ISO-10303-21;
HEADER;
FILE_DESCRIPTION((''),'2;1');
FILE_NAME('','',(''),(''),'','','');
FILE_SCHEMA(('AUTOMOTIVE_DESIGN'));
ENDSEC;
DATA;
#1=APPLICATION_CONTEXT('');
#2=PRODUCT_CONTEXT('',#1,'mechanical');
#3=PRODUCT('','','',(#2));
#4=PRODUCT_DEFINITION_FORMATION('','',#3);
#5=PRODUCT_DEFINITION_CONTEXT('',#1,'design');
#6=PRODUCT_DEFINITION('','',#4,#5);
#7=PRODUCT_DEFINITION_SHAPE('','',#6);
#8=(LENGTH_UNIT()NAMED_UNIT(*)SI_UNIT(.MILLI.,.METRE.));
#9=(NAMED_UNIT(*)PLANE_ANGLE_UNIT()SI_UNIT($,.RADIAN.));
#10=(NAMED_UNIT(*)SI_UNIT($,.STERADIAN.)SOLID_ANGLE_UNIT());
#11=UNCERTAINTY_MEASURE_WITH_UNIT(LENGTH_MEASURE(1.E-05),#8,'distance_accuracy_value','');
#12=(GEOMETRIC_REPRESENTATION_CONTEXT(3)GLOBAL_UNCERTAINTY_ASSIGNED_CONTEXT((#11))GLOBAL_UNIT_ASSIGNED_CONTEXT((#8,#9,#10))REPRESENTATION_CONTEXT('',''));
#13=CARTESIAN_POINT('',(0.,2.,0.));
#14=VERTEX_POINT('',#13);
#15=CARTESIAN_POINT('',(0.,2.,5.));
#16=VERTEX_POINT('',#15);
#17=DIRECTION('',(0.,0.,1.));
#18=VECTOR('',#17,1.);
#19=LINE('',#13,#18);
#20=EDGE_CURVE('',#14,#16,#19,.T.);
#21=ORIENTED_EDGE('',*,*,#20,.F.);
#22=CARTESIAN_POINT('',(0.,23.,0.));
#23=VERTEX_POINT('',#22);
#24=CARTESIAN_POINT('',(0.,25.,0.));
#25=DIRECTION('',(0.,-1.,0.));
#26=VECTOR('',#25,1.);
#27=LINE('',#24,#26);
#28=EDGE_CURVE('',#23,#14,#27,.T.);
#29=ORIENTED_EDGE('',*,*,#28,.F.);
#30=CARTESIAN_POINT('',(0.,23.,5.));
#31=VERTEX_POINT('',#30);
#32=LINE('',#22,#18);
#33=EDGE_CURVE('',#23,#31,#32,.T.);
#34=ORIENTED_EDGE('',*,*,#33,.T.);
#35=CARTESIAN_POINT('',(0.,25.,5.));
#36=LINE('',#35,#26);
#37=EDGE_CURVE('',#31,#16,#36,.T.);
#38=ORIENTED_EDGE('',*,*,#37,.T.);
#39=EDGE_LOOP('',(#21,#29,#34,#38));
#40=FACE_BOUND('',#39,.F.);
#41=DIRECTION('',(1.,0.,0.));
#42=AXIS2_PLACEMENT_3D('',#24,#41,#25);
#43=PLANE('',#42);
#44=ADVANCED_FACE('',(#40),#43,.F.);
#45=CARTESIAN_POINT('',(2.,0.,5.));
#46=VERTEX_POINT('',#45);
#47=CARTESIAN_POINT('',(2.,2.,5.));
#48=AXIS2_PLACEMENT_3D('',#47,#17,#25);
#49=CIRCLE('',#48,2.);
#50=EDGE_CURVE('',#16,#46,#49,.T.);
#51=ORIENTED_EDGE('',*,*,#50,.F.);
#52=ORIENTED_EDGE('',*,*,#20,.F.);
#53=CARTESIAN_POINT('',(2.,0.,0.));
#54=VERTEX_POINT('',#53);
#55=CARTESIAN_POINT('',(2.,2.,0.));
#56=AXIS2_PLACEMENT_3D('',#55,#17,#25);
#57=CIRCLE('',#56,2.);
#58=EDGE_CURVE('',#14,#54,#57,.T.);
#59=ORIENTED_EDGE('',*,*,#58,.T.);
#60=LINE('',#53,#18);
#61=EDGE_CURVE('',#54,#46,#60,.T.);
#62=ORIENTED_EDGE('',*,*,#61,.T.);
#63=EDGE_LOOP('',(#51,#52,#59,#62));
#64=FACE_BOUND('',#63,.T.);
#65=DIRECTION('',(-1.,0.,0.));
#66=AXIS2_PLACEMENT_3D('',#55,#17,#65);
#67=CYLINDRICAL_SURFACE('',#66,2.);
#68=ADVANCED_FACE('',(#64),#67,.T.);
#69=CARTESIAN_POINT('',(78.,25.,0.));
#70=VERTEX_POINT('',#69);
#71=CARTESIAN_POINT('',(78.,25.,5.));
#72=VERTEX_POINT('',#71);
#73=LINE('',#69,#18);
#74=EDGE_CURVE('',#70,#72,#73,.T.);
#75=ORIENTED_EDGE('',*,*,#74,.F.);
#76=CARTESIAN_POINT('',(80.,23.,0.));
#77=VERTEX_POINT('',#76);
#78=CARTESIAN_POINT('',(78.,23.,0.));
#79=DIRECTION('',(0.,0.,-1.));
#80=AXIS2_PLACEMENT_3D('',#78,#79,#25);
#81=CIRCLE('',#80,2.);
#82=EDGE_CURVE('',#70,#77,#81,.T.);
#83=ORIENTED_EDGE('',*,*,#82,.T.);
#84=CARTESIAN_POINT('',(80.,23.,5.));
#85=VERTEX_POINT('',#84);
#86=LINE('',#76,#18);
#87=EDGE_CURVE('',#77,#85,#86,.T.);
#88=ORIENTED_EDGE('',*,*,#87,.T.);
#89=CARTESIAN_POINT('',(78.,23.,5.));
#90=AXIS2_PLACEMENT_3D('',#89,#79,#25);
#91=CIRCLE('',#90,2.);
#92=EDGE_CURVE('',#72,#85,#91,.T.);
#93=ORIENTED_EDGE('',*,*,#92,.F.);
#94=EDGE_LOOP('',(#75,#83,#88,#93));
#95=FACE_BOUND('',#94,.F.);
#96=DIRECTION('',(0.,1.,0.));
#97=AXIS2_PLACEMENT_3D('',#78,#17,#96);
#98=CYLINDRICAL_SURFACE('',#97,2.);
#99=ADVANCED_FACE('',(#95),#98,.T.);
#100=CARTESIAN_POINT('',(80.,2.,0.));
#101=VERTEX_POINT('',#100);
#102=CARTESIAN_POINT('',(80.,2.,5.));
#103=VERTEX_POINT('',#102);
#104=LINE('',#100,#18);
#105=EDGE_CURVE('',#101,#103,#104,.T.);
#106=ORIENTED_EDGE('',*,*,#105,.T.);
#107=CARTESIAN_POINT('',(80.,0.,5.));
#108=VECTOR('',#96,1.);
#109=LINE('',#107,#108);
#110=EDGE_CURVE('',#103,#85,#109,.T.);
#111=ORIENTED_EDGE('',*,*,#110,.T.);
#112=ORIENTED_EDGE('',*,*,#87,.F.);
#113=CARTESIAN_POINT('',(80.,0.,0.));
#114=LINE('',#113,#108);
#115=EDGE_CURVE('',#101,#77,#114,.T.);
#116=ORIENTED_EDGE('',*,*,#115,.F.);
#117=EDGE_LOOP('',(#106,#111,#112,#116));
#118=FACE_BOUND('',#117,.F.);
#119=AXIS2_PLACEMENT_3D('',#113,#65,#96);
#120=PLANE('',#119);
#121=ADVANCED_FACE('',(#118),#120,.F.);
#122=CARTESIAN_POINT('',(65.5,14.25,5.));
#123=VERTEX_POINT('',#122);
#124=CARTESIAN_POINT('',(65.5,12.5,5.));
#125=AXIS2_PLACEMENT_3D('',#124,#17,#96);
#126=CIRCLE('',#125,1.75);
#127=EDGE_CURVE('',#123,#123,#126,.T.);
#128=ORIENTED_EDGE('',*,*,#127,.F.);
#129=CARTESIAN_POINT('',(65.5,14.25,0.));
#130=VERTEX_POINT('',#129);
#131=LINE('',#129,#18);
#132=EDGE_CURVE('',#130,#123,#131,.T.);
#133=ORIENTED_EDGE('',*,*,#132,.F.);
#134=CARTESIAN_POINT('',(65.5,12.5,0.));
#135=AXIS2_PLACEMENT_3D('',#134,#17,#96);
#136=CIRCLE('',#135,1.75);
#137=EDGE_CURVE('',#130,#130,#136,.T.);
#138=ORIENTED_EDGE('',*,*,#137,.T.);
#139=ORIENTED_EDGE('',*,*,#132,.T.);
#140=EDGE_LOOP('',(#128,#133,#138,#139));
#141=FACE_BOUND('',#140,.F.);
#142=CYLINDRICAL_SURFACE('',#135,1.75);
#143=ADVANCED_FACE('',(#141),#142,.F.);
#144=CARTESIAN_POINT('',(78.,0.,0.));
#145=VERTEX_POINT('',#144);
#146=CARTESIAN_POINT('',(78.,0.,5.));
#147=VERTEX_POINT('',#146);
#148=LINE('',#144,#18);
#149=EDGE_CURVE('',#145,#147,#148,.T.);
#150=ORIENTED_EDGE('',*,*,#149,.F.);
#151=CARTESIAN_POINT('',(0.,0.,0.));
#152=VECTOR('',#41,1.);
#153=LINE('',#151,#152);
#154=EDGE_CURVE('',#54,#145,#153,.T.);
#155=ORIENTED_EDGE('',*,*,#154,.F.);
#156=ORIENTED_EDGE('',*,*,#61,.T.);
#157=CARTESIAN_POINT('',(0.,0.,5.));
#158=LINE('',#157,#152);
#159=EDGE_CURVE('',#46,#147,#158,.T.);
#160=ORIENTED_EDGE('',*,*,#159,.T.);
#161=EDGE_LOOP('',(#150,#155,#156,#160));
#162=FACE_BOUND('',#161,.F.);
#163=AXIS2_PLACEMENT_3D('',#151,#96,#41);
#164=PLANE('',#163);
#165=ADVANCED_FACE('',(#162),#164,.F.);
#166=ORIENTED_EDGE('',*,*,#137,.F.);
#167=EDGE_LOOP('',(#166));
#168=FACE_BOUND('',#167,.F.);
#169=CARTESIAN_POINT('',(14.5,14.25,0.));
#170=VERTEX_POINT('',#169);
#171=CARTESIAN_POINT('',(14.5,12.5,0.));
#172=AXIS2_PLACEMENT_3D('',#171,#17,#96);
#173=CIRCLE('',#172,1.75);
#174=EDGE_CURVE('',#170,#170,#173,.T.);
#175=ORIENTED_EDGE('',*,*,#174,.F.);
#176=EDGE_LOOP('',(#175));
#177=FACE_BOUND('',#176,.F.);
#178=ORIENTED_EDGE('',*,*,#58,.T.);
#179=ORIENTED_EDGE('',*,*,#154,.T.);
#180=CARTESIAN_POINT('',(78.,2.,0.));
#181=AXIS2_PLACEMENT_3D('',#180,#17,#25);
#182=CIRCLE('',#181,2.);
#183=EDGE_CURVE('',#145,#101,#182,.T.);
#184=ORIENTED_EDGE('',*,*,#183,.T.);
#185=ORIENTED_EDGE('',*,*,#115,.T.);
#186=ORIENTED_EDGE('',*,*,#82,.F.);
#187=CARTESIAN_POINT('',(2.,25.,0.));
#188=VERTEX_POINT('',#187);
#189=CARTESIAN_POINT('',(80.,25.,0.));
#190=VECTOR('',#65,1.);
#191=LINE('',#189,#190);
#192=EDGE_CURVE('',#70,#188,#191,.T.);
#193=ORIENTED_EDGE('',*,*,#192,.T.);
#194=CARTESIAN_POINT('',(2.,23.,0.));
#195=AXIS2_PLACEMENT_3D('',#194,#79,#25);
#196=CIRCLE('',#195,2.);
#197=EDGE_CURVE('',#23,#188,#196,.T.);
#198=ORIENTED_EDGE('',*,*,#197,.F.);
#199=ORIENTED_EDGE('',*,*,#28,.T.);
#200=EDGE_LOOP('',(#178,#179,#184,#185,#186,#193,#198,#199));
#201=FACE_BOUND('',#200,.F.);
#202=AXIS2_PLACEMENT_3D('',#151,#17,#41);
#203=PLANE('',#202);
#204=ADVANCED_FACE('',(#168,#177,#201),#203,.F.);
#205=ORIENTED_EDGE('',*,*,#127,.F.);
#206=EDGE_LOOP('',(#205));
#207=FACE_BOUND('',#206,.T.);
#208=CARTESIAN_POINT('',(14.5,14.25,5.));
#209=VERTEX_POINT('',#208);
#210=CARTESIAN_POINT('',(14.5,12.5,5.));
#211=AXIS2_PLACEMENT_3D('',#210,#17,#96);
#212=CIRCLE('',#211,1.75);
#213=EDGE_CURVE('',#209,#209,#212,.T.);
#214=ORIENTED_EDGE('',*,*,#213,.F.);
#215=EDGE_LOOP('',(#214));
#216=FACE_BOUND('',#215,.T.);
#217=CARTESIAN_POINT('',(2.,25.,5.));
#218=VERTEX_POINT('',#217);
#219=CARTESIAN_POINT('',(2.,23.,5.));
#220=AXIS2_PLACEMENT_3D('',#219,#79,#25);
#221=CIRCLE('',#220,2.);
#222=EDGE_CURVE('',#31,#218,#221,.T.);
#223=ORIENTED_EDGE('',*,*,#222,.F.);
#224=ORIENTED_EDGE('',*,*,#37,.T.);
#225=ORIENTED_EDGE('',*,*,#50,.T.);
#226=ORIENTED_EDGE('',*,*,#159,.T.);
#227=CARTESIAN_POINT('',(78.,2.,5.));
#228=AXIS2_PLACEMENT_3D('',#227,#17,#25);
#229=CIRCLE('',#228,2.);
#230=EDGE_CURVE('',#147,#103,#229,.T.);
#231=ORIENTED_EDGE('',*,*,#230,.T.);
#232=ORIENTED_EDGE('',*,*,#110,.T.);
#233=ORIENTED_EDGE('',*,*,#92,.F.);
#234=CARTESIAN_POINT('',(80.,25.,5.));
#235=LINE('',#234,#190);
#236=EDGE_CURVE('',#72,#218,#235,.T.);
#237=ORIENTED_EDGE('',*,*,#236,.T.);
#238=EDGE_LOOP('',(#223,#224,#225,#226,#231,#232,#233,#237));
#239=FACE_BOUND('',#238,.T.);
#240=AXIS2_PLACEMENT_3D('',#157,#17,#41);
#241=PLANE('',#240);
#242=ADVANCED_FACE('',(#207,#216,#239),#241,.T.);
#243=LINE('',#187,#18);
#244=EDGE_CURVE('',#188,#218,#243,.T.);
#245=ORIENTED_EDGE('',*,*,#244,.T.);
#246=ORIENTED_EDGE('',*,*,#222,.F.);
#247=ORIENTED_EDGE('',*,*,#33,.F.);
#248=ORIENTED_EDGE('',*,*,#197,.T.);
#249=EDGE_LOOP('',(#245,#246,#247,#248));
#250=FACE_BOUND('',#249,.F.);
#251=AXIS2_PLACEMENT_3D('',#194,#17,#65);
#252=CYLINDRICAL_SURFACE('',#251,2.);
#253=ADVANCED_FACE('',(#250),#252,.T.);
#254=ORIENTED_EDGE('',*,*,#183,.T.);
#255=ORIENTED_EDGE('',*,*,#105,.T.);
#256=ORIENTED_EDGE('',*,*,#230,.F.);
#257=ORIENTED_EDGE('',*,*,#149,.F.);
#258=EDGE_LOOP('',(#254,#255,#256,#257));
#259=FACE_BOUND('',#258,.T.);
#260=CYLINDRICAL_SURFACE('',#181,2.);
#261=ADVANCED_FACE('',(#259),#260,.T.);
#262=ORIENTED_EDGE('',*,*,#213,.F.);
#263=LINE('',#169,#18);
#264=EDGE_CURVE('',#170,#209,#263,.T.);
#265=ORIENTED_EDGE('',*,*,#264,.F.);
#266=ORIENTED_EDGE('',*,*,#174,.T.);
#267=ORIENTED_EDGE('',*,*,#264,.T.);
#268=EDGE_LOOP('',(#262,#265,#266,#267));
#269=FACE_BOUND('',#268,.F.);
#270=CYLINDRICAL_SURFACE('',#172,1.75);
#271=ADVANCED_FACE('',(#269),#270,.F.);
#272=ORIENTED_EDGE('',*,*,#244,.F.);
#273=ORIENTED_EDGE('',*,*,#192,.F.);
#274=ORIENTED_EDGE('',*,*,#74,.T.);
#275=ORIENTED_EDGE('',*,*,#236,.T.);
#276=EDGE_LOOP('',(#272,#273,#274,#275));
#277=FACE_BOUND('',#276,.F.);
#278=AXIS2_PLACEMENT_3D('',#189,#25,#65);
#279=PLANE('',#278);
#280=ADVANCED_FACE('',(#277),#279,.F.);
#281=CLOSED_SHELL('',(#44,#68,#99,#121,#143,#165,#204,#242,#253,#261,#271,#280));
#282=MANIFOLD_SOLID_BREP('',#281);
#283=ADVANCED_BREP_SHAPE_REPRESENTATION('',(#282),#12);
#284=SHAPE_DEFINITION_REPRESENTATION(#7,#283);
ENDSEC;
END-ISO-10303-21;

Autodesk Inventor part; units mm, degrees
ref_plane "YZ Plane" through (0, 0, 0) normal (1, 0, 0) x (0, 1, 0)
ref_plane "XZ Plane" through (0, 0, 0) normal (0, 1, 0) x (-1, 0, 0)
ref_plane "XY Plane" through (0, 0, 0) normal (0, 0, 1) x (1, 0, 0)
sketch "Sketch1" plane through (0, 0, 0) normal (0, 0, 1) x (1, 0, 0)
  line L0 (0, 0) -> (80, 0)
  line L1 (80, 0) -> (80, 25)
  line L2 (80, 25) -> (0, 25)
  line L3 (0, 25) -> (0, 0)
  point P0 (14.5, 12.5)
  point P1 (65.5, 12.5)
  dimension "d0" = 80
  dimension "d1" = 25
  dimension "d2" = 12.5
  dimension "d3" = 14.5
  dimension "d4" = 51
extrude "Extrusion1" add sketch "Sketch1" along normal blind 5
sketch "Sketch2" plane through (0, 0, 0) normal (0, 0, 1) x (1, 0, 0)
  line L0 (0, 0) -> (80, 0)
  line L1 (80, 0) -> (80, 25)
  line L2 (80, 25) -> (0, 25)
  line L3 (0, 25) -> (0, 0)
  point P0 (14.5, 12.5)
  point P1 (65.5, 12.5)
  dimension "d5" = 80
  dimension "d6" = 25
  dimension "d7" = 12.5
  dimension "d8" = 14.5
  dimension "d9" = 51
hole "Hole1" at (14.5, 12.5, 0) at (65.5, 12.5, 0) direction (0, 0, 1) diameter 3.5 end through all
fillet "Fillet1" radius 2 4 edges at (0, 25, 2.5) (80, 25, 2.5) (80, 0, 2.5) (0, 0, 2.5)
sketch "Sketch3" plane through (0, 0, 5) normal (0, 0, 1) x (1, 0, 0)
  arc A0 (0, 2) -> (2, 0) centre (2, 2) ccw projected
  line L0 (2, 0) -> (78, 0) projected
  arc A1 (78, 0) -> (80, 2) centre (78, 2) ccw projected
  line L1 (80, 2) -> (80, 23) projected
  arc A2 (80, 23) -> (78, 25) centre (78, 23) ccw projected
  line L2 (78, 25) -> (2, 25) projected
  arc A3 (2, 25) -> (0, 23) centre (2, 23) ccw projected
  line L3 (0, 23) -> (0, 2) projected
  circle A4 centre (14.5, 12.5) radius 1.75 projected
  circle A5 centre (65.5, 12.5) radius 1.75 projected
  point P0 (0, 0)
properties part number "BasePatasVTOL"
